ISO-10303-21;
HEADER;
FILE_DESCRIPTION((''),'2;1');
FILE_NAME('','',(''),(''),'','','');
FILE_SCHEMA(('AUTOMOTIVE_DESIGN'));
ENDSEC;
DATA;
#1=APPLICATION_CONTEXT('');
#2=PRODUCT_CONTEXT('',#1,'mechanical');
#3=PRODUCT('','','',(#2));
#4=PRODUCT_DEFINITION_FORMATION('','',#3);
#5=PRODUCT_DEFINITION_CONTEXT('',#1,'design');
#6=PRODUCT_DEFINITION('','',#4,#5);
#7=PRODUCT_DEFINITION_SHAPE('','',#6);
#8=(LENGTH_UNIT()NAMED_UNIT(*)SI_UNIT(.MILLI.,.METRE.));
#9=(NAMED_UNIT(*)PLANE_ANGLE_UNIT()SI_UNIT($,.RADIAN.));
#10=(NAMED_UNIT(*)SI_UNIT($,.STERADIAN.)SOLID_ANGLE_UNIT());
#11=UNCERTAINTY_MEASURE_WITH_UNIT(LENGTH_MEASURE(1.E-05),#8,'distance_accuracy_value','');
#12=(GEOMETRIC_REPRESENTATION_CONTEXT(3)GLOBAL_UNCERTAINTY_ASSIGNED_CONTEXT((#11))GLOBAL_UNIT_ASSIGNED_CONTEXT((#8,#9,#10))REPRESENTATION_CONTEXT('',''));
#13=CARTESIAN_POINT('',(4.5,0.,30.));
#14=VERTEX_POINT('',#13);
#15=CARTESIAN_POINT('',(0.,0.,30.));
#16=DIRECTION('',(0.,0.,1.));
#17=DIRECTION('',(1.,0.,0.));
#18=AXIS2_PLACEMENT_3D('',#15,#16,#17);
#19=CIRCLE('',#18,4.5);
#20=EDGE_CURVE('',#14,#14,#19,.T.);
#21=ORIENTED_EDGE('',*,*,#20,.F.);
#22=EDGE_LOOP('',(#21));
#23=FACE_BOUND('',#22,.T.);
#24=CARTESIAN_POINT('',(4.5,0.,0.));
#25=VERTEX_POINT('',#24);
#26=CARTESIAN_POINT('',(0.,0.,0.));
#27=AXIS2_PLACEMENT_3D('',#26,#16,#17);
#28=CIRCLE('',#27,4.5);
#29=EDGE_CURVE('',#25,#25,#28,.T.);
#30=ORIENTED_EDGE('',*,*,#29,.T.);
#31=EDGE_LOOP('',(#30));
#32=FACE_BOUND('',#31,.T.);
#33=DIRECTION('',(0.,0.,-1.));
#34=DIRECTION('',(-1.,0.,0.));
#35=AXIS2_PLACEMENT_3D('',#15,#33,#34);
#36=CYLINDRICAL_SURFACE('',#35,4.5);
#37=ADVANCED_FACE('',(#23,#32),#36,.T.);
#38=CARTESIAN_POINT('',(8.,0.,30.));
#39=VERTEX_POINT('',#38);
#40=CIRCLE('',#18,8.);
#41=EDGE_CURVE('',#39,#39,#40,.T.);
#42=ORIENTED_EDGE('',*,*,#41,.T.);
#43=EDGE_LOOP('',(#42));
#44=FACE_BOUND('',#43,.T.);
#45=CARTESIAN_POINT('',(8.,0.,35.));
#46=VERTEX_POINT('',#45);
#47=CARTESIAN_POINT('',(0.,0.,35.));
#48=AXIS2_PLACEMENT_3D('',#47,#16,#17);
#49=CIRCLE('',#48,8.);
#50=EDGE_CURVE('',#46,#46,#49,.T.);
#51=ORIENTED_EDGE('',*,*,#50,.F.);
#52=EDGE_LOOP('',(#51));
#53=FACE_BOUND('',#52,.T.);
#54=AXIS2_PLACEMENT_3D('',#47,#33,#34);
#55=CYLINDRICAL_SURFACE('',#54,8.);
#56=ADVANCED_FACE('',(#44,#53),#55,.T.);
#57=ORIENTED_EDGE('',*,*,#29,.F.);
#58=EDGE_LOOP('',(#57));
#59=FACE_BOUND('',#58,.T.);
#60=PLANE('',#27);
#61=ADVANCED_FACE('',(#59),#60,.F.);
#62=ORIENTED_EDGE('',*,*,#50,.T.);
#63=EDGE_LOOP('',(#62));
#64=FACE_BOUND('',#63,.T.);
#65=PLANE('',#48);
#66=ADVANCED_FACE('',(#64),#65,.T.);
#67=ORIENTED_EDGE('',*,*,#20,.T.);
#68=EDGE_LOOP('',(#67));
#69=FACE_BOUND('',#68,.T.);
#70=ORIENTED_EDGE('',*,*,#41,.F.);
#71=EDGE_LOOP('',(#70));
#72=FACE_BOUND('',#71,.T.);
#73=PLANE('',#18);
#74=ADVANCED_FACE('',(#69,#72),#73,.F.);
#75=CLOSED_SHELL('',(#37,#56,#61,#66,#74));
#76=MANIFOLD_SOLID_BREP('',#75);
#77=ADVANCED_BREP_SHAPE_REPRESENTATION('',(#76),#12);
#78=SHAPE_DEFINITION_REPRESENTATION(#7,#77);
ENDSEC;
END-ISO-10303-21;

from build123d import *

# Parameters (mm, degrees)
ESBO_O1_R                = 4.5
RESSALTO_EXTRUS_O2_DEPTH = 30
ESBO_O5_R                = 8
RESSALTO_EXTRUS_O4_DEPTH = 5


with BuildPart() as part:
    # Esboço1 → Ressalto-extrusão2 (new body)
    with BuildSketch(Plane.XY):
        Circle(ESBO_O1_R)
    extrude(amount=RESSALTO_EXTRUS_O2_DEPTH)

    # Esboço5 → Ressalto-extrusão4 (add)
    with BuildSketch(Plane.XY.offset(30)):
        Circle(ESBO_O5_R)
    extrude(amount=RESSALTO_EXTRUS_O4_DEPTH)


solid = part.part
